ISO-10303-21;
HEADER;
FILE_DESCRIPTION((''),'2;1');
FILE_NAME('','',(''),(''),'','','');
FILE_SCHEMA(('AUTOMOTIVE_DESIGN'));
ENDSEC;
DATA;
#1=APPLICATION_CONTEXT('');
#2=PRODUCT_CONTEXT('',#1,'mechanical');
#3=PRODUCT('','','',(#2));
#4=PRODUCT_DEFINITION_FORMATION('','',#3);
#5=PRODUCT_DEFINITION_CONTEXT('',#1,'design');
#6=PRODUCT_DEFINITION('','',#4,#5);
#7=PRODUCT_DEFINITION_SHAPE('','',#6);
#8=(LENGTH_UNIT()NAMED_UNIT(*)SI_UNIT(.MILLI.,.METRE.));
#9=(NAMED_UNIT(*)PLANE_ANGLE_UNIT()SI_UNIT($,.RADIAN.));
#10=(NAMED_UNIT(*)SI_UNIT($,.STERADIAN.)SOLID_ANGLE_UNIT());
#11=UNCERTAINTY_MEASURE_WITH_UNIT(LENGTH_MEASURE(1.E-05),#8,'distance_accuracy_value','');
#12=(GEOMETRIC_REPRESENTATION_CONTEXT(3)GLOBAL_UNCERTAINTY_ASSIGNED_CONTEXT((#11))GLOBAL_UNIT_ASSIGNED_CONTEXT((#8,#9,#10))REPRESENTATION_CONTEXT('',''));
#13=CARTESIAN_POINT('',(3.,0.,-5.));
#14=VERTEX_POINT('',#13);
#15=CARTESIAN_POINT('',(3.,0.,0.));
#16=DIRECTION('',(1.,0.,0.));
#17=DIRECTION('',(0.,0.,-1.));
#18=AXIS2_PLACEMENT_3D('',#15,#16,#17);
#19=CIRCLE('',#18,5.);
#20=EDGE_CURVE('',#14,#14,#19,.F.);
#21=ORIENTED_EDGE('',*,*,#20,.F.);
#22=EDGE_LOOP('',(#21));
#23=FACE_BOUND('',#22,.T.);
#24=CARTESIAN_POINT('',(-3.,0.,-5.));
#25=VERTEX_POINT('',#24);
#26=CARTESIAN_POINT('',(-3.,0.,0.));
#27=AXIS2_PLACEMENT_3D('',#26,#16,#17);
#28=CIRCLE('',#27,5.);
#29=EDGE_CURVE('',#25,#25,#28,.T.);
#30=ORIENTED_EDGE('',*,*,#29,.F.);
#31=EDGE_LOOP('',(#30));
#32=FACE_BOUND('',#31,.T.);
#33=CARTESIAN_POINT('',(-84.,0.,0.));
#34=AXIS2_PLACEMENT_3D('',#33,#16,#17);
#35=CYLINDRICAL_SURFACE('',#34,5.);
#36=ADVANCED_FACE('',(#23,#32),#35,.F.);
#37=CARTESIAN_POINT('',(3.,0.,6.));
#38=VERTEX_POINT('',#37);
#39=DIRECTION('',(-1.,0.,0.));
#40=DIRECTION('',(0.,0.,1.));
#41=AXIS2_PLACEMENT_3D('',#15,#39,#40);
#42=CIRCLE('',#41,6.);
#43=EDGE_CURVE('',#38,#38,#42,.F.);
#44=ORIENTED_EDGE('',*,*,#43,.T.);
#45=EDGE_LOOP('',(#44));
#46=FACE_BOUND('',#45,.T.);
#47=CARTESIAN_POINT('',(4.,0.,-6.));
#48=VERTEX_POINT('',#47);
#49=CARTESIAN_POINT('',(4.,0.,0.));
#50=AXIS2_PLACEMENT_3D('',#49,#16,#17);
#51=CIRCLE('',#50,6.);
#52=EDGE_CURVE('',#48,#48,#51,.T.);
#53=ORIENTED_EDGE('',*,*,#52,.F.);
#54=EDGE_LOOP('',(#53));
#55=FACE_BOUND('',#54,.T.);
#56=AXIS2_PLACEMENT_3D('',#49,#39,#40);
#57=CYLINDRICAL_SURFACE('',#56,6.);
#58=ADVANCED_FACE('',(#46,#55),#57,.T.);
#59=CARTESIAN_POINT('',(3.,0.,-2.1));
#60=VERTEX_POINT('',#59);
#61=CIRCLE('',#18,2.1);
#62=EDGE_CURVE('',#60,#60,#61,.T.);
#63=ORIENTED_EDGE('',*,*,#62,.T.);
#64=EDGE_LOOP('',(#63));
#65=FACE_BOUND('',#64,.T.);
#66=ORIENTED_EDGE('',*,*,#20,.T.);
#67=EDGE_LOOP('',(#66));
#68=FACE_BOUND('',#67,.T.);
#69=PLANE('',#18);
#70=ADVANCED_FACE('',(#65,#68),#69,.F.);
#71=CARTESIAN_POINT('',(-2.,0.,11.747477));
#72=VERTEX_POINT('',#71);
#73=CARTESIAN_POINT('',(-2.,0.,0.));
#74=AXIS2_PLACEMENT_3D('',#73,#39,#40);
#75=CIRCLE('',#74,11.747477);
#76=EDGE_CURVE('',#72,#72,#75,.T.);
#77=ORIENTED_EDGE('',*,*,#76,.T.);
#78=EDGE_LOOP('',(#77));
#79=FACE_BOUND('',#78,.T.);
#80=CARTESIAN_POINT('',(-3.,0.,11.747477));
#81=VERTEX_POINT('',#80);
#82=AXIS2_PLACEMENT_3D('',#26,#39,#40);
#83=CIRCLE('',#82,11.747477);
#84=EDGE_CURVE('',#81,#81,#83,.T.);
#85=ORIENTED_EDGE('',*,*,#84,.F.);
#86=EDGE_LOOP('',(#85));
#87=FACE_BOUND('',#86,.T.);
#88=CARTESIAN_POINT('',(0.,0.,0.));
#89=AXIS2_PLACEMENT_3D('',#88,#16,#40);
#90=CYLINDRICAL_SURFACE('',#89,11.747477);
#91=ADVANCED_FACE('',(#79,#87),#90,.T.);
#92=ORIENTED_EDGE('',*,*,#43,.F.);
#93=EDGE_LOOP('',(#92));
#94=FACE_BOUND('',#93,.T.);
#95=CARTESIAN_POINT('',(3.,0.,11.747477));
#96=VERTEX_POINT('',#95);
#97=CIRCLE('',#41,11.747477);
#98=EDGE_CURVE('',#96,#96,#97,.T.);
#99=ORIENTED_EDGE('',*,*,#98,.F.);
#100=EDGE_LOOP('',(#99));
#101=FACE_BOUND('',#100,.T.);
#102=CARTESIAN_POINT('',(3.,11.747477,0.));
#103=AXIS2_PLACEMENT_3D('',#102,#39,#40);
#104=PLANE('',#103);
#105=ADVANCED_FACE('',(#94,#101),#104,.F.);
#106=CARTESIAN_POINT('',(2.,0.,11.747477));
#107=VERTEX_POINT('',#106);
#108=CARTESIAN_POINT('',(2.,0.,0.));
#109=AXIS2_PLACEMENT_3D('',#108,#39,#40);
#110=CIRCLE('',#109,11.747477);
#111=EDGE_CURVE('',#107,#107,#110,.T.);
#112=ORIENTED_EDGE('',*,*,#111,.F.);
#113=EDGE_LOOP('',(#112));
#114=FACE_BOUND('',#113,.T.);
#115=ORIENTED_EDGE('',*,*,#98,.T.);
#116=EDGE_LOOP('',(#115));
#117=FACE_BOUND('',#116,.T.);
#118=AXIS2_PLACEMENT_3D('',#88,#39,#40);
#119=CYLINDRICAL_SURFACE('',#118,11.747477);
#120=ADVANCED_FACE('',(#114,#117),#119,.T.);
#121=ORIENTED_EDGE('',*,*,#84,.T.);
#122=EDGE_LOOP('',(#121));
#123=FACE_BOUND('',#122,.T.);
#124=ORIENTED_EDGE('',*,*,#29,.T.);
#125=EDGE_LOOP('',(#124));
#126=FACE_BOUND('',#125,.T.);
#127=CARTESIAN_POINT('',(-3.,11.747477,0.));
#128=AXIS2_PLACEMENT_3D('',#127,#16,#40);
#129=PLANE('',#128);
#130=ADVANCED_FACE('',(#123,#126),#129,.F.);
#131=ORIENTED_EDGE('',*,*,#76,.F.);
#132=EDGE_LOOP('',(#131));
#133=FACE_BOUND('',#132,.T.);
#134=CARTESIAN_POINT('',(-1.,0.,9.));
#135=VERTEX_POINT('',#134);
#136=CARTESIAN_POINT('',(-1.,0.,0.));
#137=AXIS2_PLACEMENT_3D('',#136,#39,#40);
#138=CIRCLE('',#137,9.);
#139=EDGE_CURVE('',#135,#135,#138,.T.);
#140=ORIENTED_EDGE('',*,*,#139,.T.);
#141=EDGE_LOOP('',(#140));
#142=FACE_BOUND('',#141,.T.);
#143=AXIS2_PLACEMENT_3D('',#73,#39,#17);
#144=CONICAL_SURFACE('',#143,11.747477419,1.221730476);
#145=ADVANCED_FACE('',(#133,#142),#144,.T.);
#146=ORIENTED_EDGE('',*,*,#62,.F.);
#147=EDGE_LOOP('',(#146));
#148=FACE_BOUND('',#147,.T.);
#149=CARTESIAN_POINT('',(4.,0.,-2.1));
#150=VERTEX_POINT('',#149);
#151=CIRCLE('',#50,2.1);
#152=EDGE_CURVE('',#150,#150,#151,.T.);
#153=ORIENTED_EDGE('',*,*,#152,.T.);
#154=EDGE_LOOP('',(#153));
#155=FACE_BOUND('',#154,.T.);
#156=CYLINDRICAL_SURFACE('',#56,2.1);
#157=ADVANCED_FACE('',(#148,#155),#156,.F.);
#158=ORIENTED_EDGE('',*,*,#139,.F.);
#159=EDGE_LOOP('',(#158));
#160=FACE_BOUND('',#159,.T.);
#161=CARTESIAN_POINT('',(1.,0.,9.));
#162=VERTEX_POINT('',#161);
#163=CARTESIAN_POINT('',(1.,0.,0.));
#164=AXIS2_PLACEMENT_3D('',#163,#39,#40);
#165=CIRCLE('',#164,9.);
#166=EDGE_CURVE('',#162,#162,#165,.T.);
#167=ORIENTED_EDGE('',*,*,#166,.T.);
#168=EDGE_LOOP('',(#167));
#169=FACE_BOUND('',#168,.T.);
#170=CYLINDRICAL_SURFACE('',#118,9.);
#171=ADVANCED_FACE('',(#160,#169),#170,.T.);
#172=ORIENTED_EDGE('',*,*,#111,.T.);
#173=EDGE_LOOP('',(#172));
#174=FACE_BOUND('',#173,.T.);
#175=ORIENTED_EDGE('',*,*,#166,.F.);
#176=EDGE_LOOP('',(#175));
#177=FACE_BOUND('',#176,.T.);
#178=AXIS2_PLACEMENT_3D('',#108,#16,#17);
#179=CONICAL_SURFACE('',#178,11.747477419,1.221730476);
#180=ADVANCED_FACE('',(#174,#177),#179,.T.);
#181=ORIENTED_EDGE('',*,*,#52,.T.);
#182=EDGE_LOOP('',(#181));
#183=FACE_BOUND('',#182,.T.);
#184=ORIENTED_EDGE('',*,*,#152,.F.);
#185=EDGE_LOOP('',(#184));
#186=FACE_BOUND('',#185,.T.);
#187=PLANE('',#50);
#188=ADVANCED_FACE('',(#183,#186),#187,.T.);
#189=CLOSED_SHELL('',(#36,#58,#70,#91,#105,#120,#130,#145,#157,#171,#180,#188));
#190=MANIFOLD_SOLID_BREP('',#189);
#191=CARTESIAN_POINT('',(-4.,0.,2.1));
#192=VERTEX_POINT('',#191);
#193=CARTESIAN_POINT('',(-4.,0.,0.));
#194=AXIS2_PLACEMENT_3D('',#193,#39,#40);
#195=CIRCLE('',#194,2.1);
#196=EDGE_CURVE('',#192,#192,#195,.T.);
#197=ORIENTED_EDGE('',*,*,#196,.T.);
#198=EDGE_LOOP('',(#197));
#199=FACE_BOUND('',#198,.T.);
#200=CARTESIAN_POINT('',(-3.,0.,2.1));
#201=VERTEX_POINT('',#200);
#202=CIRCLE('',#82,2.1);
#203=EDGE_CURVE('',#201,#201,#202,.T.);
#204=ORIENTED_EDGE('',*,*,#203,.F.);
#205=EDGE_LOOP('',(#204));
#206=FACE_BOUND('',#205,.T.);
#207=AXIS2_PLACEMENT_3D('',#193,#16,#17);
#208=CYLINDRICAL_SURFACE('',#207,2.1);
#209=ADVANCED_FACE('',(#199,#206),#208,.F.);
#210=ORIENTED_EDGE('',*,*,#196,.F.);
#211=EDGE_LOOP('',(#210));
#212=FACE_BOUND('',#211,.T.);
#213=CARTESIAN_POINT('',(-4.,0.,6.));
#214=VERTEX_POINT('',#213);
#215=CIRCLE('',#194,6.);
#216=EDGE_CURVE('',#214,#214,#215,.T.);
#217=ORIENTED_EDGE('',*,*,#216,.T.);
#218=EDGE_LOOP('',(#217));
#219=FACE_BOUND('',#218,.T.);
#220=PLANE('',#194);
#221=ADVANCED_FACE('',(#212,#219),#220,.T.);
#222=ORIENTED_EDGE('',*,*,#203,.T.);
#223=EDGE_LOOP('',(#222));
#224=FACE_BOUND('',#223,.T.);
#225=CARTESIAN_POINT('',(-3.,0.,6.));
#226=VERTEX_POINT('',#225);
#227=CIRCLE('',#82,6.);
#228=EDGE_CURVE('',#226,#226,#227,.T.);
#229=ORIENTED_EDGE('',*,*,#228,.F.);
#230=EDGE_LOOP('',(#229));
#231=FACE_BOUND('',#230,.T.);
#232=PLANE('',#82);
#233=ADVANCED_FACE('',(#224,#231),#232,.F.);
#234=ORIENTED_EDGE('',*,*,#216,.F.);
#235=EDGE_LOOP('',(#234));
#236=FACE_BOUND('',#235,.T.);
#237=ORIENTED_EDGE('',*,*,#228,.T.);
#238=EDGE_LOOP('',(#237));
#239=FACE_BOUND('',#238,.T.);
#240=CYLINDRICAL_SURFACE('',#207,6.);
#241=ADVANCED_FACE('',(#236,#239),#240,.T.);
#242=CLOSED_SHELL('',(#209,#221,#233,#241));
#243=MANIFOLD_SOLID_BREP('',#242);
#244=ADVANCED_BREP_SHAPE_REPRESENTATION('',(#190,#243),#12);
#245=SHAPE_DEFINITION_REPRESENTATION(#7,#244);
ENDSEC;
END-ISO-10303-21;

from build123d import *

# Parameters (mm, degrees)
SKETCH3_R           = 5
CUT_EXTRUDE1_DEPTH  = 87
SKETCH5_R           = 6
SKETCH5_R_2         = 2.1
BOSS_EXTRUDE2_DEPTH = 1
SKETCH7_R           = 6
SKETCH7_R_2         = 2.1
BOSS_EXTRUDE3_DEPTH = 1


with BuildPart() as part:
    # Sketch1 → Revolve1 (revolve)
    with BuildSketch(Plane.XY):
        Polygon((0, 0), (0, 9), (1, 9), (2, 11.747477419), (3, 11.747477419), (3, 0), align=None)
    revolve1 = revolve(axis=Axis((0, 0, 0), (1, 0, 0)))

    # Mirror1: Revolve1 across plane
    add(revolve1.mirror(Plane(origin=(0, 0, 0), x_dir=(0, 0, 1), z_dir=(1, 0, 0))))

    # Sketch3 → Cut-Extrude1 (cut)
    with BuildSketch(Plane(origin=(3, 0, 0), x_dir=(0, 0, -1), z_dir=(1, 0, 0))):
        Circle(SKETCH3_R)
    extrude(amount=-CUT_EXTRUDE1_DEPTH, mode=Mode.SUBTRACT)

    # Sketch5 → Boss-Extrude2 (add)
    with BuildSketch(Plane(origin=(3, 0, 0), x_dir=(0, 0, -1), z_dir=(1, 0, 0))):
        Circle(SKETCH5_R)
        Circle(SKETCH5_R_2, mode=Mode.SUBTRACT)
    extrude(amount=BOSS_EXTRUDE2_DEPTH)


with BuildPart() as body_2:
    # Sketch7 → Boss-Extrude3 (new body)
    with BuildSketch(Plane.ZY.offset(3)):
        Circle(SKETCH7_R)
        Circle(SKETCH7_R_2, mode=Mode.SUBTRACT)
    extrude(amount=BOSS_EXTRUDE3_DEPTH)


solid = Compound([part.part, body_2.part])
